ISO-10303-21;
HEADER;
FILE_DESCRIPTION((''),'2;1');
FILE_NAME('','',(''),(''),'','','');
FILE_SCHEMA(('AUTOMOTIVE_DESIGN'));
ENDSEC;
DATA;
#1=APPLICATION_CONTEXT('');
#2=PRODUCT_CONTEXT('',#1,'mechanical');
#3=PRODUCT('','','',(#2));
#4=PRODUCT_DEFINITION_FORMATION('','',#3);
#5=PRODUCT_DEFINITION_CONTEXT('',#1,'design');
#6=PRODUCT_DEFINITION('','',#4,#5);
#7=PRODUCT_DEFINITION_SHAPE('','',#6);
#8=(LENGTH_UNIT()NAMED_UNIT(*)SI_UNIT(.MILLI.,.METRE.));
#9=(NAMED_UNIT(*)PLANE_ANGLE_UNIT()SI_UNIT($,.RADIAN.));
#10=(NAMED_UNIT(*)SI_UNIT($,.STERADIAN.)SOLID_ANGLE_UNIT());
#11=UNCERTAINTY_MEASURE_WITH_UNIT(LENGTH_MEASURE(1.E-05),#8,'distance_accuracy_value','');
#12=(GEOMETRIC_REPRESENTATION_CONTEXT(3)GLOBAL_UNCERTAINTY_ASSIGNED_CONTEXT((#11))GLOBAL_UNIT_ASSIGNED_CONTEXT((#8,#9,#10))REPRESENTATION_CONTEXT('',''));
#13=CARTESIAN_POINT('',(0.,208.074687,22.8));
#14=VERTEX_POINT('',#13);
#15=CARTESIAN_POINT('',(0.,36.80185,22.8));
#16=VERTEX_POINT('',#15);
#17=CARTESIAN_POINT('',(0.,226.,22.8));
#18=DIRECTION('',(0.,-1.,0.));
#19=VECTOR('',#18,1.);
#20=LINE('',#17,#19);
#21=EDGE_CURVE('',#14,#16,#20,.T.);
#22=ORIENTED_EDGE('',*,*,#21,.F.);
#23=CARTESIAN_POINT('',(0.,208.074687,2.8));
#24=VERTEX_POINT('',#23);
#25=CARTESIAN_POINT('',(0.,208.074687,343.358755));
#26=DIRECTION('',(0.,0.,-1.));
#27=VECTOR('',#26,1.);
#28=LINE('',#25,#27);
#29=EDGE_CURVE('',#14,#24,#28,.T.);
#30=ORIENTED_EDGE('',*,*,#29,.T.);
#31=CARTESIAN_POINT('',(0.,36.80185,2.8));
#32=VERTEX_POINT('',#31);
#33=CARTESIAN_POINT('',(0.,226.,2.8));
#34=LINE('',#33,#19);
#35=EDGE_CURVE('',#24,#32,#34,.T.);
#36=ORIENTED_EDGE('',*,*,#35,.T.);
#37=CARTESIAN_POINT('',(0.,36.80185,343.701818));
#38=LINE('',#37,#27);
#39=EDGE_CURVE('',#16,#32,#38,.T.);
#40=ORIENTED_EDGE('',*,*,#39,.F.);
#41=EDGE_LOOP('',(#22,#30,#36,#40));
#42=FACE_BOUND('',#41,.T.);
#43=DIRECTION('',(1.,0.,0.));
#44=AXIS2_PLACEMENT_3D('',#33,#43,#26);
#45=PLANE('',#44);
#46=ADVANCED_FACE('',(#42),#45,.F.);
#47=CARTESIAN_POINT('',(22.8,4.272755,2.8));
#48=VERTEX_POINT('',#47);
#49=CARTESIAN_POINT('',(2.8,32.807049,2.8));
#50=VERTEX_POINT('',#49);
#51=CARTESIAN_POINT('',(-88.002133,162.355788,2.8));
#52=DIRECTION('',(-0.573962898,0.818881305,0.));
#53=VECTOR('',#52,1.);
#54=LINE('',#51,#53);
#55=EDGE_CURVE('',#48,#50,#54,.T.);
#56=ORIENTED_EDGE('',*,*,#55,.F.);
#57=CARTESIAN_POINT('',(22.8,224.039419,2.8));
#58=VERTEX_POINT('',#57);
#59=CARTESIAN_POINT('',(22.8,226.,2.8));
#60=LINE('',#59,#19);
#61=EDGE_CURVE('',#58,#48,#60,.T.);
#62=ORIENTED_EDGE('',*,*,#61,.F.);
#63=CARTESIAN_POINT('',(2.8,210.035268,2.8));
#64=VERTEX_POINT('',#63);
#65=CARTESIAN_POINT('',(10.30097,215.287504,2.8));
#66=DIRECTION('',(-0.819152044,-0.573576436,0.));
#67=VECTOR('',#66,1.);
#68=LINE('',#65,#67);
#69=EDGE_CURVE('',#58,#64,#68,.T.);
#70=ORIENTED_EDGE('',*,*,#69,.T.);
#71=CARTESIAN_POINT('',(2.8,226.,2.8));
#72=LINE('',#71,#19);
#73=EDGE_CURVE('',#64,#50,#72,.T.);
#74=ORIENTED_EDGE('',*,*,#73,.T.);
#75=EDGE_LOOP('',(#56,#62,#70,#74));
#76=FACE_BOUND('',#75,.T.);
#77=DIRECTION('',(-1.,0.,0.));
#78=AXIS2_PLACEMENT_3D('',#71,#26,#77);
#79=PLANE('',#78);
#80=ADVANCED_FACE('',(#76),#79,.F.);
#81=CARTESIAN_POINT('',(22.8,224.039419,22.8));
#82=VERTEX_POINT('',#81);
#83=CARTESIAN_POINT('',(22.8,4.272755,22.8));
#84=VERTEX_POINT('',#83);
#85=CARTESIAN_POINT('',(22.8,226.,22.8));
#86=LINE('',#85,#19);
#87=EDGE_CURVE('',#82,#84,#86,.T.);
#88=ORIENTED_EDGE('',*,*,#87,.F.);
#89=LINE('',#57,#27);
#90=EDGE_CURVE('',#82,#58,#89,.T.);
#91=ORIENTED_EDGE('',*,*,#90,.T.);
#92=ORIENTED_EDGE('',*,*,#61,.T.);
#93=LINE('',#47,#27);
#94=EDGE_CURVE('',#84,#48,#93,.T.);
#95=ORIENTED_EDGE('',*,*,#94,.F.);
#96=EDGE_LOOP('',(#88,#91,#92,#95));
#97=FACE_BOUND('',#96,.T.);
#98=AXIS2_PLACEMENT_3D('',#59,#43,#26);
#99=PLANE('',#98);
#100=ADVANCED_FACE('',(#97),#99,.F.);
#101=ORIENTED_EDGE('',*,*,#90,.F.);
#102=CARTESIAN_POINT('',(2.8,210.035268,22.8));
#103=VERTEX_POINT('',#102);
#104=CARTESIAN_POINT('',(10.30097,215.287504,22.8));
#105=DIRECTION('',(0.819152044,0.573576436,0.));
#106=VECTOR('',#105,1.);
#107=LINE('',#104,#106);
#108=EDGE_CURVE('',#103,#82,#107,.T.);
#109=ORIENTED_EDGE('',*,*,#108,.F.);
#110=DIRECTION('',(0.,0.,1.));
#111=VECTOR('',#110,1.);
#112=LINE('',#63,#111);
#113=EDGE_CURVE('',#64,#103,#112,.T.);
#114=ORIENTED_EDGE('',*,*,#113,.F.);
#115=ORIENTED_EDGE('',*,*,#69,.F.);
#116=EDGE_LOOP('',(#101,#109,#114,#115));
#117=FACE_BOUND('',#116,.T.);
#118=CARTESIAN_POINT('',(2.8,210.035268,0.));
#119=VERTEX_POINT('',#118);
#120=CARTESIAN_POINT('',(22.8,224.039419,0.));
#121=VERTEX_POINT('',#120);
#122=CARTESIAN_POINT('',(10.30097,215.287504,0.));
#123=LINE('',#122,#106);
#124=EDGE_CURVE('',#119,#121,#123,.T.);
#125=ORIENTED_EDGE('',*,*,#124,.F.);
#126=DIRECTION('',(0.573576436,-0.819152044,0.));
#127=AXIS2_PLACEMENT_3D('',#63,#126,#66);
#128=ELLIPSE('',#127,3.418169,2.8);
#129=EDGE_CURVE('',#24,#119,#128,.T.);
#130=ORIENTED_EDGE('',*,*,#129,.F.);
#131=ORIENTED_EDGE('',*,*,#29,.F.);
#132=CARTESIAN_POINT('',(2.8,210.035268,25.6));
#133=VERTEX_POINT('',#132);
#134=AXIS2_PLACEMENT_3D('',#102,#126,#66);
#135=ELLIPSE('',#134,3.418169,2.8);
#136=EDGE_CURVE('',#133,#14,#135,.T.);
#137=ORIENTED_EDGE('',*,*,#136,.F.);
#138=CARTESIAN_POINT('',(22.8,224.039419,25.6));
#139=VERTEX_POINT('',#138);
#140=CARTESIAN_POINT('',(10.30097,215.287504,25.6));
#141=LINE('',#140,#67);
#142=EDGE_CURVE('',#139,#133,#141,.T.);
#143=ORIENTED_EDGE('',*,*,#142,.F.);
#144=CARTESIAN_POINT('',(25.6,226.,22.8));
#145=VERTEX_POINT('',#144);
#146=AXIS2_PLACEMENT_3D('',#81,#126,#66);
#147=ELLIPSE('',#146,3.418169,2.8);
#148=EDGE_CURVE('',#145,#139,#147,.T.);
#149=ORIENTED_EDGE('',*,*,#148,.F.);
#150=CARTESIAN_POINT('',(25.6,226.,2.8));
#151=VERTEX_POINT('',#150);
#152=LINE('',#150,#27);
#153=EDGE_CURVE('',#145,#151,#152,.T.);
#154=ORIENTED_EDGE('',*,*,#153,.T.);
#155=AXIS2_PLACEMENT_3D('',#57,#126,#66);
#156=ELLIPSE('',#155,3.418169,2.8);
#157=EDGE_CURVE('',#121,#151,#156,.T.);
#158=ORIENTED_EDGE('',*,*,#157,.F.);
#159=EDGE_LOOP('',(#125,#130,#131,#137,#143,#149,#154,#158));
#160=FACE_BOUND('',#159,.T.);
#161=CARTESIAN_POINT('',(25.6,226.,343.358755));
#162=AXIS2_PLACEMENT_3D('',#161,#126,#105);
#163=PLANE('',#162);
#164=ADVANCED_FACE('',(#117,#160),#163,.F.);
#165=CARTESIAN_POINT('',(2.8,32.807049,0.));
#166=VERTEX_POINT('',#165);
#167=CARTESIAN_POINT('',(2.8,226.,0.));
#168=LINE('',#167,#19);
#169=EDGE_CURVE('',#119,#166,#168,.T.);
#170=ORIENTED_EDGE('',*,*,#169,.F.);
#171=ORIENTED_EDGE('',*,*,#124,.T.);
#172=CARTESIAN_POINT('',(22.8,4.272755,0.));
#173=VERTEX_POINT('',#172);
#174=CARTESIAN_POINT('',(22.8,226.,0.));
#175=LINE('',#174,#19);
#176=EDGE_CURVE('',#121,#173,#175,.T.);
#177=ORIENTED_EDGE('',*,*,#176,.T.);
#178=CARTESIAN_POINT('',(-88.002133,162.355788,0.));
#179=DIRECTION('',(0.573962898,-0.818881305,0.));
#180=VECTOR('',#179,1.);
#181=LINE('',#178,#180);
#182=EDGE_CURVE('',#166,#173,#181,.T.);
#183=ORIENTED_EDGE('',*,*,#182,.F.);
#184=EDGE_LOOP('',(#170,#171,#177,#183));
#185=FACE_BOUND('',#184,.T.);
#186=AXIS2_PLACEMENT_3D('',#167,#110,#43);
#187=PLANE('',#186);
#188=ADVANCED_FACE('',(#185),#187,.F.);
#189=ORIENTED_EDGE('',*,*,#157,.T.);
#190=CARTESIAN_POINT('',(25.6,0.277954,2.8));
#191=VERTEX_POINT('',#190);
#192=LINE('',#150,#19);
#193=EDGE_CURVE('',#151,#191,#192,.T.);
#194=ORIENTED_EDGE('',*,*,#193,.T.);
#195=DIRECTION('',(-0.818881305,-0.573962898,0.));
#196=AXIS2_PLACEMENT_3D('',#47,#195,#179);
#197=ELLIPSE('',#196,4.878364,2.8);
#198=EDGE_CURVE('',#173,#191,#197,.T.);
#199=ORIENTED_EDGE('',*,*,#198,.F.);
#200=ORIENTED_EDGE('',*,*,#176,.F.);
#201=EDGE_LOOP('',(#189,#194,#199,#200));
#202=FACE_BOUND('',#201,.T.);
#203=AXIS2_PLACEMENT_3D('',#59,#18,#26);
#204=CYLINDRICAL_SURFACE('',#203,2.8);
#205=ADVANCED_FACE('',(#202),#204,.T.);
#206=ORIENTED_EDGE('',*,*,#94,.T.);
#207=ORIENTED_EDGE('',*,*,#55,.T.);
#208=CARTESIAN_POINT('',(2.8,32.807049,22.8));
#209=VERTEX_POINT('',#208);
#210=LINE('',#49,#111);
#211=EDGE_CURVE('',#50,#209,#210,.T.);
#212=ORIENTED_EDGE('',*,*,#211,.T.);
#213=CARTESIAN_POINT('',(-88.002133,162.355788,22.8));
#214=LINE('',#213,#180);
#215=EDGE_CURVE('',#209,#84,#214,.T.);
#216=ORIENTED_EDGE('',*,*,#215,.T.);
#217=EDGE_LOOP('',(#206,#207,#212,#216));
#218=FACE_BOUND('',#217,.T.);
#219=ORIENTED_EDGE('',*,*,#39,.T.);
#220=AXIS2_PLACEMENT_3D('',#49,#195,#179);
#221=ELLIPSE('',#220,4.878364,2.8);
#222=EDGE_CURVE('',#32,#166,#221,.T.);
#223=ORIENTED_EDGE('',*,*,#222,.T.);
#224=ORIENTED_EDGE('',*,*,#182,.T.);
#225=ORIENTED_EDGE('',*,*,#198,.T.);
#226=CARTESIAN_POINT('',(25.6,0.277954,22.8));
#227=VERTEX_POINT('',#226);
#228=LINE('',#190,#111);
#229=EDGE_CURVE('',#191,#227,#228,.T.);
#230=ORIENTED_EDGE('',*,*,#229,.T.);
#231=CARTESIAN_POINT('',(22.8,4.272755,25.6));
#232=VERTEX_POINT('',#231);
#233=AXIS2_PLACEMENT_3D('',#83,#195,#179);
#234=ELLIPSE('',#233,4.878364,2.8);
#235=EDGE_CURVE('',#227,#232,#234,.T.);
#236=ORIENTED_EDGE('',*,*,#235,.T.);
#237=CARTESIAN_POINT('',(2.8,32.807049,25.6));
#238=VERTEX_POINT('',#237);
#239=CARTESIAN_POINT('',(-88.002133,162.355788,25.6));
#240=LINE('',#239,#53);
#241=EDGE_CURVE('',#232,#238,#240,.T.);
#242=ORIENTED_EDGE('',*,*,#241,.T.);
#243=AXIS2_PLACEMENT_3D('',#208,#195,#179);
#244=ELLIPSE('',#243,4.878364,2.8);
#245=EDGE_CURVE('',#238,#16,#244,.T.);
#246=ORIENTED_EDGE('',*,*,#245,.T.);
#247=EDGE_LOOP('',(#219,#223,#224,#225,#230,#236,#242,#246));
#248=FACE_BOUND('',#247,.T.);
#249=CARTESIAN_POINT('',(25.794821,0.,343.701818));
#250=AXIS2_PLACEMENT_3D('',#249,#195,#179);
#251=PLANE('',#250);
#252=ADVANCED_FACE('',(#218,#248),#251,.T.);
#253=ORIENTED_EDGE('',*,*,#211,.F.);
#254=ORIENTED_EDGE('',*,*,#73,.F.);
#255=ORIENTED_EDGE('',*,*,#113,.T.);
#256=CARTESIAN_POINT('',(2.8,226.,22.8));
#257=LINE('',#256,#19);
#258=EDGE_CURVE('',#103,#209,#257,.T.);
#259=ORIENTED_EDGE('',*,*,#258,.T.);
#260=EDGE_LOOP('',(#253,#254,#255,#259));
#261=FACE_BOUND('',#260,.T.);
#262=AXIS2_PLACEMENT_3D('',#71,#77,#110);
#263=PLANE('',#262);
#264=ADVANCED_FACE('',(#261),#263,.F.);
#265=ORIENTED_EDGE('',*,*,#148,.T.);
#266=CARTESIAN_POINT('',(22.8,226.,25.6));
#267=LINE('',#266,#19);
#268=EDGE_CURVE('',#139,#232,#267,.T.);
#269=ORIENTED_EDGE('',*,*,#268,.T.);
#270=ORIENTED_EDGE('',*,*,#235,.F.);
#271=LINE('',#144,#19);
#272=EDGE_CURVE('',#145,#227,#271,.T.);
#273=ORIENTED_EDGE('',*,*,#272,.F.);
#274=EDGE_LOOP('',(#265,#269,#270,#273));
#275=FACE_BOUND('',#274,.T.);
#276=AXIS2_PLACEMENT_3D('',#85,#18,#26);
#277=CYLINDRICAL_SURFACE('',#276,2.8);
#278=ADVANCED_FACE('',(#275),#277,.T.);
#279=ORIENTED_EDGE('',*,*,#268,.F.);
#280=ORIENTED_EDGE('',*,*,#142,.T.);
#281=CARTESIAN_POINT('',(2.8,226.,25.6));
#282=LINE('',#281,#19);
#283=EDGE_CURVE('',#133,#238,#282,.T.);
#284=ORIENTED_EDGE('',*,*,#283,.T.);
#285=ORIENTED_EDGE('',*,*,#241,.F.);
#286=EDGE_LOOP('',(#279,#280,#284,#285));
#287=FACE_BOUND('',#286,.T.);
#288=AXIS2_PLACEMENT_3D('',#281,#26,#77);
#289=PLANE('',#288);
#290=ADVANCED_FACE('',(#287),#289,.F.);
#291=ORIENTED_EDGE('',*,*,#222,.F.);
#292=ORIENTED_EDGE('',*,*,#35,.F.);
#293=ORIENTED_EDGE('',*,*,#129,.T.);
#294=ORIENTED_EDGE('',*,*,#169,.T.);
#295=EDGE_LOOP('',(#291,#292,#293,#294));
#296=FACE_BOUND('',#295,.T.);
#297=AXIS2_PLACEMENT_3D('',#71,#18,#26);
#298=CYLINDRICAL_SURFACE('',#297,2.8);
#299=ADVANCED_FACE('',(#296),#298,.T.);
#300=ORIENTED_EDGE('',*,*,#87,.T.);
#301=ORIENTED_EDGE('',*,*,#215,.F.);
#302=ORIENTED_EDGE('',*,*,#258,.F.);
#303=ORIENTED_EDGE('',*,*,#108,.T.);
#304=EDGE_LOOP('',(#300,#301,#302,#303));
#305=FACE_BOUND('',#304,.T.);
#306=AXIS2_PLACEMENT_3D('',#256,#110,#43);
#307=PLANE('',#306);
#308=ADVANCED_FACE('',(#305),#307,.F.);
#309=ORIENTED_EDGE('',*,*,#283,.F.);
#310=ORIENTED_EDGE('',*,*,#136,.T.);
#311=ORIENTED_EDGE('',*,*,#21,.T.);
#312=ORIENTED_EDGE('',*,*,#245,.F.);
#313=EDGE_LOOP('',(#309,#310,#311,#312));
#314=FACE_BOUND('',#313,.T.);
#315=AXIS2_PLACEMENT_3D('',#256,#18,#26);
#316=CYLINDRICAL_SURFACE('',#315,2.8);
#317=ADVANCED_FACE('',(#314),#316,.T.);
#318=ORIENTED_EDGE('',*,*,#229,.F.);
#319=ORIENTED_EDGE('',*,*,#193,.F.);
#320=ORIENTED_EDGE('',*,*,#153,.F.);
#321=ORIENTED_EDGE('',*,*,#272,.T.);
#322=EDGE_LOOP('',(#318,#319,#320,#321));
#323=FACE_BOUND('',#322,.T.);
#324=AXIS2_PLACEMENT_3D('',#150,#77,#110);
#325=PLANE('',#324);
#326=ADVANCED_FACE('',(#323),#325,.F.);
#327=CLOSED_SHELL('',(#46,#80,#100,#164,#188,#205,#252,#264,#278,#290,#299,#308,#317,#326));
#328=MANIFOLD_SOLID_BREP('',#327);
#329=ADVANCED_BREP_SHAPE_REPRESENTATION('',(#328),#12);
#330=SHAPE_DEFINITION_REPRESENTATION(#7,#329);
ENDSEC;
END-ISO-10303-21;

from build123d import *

# Parameters (mm, degrees)
BOSS_EXTRUDE1_DEPTH     = 226
SKETCH3_W               = 20
SKETCH3_H               = 20
CUT_EXTRUDE1_DEPTH      = 226
CUT_EXTRUDE2_DEPTH      = 229.881454032
CUT_EXTRUDE2_DEPTH_BACK = 229.881454032
CUT_EXTRUDE6_DEPTH      = 229.881454032
CUT_EXTRUDE6_DEPTH_BACK = 229.881454032


with BuildPart() as part:
    # Sketch1 → Boss-Extrude1 (new body)
    with BuildSketch(Plane(origin=(0, 0, 0), x_dir=(1, 0, 0), z_dir=(0, 1, 0))):
        with BuildLine():
            Line((2.8, 0), (22.8, 0))
            ThreePointArc((22.8, 0), (24.779898987, -0.820101013), (25.6, -2.8))
            Line((25.6, -2.8), (25.6, -22.8))
            ThreePointArc((25.6, -22.8), (24.779898987, -24.779898987), (22.8, -25.6))
            Line((22.8, -25.6), (2.8, -25.6))
            ThreePointArc((2.8, -25.6), (0.820101013, -24.779898987), (0, -22.8))
            Line((0, -22.8), (0, -2.8))
            ThreePointArc((0, -2.8), (0.820101013, -0.820101013), (2.8, 0))
        make_face()
    extrude(amount=BOSS_EXTRUDE1_DEPTH)

    # Sketch3 → Cut-Extrude1 (cut)
    with BuildSketch(Plane(origin=(0, 0, 0), x_dir=(-1, 0, 0), z_dir=(0, -1, 0))):
        with Locations((-12.8, -12.8)):
            Rectangle(SKETCH3_W, SKETCH3_H)
    extrude(amount=-CUT_EXTRUDE1_DEPTH, mode=Mode.SUBTRACT)

    # Sketch4 → Cut-Extrude2 (cut, two sides: drawn at the far end of the back side and taken through both)
    with BuildSketch(Plane.XY.offset(25.6).offset(-CUT_EXTRUDE2_DEPTH_BACK)):
        Polygon((292.650031695, -380.726252748), (25.794820766, 0), (0, 36.801850023), (-266.85521093, 417.528102771), (-1028.307716425, -116.182319088), (-468.802473801, -914.436674607), align=None)
    extrude(amount=CUT_EXTRUDE2_DEPTH + CUT_EXTRUDE2_DEPTH_BACK, mode=Mode.SUBTRACT)

    # Sketch5 → Cut-Extrude6 (cut, two sides: drawn at the far end of the back side and taken through both)
    with BuildSketch(Plane.XY.offset(25.6).offset(-CUT_EXTRUDE6_DEPTH_BACK)):
        Polygon((405.963593752, 492.333455606), (25.6, 226), (0, 208.074687022), (-380.363593752, -58.258768584), (-913.030504964, 702.468418921), (-126.70331746, 1253.060643111), align=None)
    extrude(amount=CUT_EXTRUDE6_DEPTH + CUT_EXTRUDE6_DEPTH_BACK, mode=Mode.SUBTRACT)


solid = part.part
